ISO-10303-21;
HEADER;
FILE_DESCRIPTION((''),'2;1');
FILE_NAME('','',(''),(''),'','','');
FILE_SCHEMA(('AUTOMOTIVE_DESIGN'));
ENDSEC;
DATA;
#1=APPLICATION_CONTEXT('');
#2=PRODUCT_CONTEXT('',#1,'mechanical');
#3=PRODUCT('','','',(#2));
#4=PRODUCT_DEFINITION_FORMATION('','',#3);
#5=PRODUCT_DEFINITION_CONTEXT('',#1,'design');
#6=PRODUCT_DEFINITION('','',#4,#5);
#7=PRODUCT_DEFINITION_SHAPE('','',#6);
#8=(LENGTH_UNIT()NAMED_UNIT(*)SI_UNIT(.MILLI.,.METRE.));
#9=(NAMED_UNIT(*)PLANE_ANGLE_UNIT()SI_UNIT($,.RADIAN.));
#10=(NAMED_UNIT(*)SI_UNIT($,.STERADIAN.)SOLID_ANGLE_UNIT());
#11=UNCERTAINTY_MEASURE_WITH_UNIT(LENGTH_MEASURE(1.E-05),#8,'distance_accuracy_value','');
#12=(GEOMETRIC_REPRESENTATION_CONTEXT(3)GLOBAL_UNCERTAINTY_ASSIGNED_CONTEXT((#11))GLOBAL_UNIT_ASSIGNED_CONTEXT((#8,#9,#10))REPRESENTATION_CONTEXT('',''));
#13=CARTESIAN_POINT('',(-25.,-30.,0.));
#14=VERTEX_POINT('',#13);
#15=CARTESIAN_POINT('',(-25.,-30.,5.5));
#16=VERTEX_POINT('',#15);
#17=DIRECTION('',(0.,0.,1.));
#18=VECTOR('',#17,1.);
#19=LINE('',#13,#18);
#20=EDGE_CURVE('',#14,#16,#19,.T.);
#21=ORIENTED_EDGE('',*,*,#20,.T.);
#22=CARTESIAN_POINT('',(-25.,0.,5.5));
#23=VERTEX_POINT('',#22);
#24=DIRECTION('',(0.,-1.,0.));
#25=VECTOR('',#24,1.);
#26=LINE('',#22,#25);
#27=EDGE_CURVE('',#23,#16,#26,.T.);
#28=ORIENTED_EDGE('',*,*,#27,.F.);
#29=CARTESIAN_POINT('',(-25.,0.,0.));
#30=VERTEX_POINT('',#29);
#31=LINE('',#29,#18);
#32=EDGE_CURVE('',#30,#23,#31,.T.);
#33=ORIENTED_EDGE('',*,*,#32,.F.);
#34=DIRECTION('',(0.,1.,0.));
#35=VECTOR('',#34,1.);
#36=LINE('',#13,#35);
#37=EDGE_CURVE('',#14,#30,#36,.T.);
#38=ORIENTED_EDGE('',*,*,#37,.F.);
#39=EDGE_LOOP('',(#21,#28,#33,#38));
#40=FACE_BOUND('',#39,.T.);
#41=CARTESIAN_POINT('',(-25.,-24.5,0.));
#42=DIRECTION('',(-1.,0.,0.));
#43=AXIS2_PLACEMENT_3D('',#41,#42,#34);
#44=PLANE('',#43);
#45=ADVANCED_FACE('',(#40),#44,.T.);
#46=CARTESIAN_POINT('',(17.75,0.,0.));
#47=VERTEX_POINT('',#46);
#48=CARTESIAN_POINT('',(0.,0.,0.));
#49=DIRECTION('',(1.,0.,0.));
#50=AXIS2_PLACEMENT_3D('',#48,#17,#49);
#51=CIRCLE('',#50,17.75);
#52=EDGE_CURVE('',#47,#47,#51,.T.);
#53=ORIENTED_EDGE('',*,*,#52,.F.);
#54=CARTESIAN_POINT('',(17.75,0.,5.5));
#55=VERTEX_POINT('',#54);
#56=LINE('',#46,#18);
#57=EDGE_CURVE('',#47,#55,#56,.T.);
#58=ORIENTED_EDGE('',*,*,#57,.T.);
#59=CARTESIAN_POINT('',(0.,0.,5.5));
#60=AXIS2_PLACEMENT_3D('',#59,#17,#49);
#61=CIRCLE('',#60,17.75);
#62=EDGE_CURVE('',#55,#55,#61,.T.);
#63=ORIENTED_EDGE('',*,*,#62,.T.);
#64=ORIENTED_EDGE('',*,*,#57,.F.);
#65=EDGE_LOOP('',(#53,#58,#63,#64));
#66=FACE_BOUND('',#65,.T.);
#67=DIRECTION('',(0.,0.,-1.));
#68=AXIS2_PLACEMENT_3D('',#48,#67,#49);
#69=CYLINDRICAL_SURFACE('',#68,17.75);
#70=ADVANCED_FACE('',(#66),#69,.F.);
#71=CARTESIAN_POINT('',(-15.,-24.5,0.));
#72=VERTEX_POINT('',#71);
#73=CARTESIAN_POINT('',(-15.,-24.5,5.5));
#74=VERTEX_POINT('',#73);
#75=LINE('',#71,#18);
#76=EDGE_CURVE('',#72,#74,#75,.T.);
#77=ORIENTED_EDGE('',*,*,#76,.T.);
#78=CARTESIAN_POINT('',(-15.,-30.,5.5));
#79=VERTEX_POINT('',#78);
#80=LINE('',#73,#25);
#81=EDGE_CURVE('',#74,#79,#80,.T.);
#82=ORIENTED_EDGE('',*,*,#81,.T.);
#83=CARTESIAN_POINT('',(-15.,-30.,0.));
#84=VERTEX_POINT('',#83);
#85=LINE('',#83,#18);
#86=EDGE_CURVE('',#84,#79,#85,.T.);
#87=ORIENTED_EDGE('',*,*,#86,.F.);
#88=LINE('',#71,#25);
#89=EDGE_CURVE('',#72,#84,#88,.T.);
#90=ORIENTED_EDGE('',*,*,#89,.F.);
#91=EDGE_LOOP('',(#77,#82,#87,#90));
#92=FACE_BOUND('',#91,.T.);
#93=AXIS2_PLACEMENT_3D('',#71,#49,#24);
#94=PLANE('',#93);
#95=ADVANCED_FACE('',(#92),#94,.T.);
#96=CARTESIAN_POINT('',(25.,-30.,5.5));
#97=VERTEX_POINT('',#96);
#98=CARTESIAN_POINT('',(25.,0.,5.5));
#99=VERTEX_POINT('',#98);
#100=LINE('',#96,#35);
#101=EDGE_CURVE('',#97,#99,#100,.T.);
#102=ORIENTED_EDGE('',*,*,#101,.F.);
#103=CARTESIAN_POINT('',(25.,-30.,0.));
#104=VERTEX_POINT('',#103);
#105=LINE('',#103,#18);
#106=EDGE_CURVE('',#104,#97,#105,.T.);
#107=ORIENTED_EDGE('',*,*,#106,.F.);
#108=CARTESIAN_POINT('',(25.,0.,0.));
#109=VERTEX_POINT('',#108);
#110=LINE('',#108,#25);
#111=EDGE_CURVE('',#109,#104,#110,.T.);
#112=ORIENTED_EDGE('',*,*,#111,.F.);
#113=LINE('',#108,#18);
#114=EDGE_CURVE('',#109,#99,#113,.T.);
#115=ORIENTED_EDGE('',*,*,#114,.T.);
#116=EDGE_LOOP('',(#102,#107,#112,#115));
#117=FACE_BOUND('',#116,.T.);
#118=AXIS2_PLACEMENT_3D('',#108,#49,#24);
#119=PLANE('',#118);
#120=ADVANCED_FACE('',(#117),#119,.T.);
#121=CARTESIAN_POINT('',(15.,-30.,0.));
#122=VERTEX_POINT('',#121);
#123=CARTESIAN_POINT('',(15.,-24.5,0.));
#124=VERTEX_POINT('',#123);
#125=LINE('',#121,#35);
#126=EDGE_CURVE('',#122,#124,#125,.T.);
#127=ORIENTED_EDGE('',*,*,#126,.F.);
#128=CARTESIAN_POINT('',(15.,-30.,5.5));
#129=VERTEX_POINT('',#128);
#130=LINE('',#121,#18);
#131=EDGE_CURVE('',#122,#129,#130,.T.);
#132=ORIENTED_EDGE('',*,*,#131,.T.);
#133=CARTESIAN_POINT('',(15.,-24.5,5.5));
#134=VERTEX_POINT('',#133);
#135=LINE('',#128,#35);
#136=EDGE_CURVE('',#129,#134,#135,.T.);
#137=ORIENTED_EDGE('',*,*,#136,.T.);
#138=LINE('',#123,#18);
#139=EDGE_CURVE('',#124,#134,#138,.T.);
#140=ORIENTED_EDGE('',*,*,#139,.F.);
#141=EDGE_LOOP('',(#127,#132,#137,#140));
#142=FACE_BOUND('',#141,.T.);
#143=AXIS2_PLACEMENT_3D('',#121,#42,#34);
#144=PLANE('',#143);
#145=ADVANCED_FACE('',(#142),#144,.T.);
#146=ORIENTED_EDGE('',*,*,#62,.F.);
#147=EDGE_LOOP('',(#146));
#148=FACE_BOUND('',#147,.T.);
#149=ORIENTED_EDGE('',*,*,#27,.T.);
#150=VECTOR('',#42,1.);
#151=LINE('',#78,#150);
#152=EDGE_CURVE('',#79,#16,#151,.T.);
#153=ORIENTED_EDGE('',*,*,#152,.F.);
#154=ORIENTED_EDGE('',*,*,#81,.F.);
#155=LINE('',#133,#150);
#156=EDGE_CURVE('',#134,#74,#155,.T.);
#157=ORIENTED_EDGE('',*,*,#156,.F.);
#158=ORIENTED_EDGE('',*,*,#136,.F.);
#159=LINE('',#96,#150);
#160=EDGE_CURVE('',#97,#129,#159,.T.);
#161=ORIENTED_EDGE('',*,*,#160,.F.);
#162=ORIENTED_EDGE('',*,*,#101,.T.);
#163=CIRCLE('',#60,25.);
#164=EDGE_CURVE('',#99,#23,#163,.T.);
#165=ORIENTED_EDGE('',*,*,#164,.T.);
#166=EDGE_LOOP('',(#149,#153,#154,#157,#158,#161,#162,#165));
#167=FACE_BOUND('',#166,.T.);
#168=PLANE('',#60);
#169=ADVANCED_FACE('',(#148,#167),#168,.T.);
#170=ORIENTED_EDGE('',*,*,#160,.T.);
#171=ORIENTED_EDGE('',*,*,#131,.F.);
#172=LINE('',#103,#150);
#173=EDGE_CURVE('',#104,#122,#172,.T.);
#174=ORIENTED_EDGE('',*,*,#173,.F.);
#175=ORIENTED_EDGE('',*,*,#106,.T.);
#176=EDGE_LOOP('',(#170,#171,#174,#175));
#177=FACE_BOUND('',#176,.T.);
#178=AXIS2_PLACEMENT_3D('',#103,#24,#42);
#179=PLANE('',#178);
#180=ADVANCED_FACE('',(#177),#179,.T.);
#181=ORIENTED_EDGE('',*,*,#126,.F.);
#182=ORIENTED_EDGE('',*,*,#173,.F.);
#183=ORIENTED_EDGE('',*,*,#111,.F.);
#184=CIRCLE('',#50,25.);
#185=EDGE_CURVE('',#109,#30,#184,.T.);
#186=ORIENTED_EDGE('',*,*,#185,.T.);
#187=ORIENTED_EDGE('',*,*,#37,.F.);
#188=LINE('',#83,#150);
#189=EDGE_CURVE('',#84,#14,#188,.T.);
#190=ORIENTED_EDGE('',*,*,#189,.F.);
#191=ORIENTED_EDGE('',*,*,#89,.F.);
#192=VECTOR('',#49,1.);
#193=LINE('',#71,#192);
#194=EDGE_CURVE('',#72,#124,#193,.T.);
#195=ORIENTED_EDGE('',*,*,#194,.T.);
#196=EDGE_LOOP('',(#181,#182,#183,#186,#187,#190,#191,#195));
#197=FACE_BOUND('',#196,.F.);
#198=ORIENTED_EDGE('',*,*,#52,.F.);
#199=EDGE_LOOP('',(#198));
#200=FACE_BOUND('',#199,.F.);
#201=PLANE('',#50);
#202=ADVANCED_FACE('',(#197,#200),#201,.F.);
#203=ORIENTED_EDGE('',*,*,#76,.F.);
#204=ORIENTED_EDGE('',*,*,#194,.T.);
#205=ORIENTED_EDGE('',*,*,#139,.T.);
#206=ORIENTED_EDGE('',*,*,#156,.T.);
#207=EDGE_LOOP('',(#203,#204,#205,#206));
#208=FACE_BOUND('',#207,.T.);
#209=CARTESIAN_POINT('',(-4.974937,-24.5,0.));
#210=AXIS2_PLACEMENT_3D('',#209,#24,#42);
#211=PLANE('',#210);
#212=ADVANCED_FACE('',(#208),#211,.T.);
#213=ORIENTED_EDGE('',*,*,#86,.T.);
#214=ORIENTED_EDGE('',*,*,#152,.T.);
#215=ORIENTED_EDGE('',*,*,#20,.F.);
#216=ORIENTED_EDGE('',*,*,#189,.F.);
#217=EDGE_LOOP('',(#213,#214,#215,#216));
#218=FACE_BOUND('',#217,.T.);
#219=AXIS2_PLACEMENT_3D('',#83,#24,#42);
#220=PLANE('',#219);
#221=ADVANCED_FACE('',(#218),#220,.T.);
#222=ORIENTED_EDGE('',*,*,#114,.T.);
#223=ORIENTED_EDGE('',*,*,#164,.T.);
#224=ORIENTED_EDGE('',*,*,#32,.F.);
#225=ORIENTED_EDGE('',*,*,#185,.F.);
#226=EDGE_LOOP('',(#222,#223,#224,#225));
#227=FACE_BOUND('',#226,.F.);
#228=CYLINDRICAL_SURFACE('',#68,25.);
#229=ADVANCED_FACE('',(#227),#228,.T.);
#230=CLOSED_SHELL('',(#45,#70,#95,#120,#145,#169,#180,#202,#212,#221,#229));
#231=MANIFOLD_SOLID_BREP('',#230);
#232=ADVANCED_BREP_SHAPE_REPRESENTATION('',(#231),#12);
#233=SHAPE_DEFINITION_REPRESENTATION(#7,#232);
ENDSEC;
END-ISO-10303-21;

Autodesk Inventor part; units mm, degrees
ref_plane "YZ Plane" through (0, 0, 0) normal (1, 0, 0) x (0, 1, 0)
ref_plane "XZ Plane" through (0, 0, 0) normal (0, 1, 0) x (-1, 0, 0)
ref_plane "XY Plane" through (0, 0, 0) normal (0, 0, 1) x (1, 0, 0)
sketch "スケッチ1" plane through (0, 0, 0) normal (0, 0, 1) x (1, 0, 0)
  circle A0 centre (0, 0) radius 17.75
  line L0 (-25, 30.5) -> (25, 30.5)
  line L1 (25, 30.5) -> (25, -24.5)
  line L2 (25, -24.5) -> (-25, -24.5)
  line L3 (-25, -24.5) -> (-25, 30.5)
  line L4 (-25, -24.5) -> (-15, -24.5)
  line L5 (-15, -24.5) -> (-15, -30)
  line L6 (-15, -30) -> (-25, -30)
  line L7 (-25, -30) -> (-25, -24.5)
  line L8 (15, -24.5) -> (25, -24.5)
  line L9 (25, -24.5) -> (25, -30)
  line L10 (25, -30) -> (15, -30)
  line L11 (15, -30) -> (15, -24.5)
  circle A1 centre (0, 0) radius 25
  point P0 (0, 30.5)
  point P1 (-15, -24.5)
  point P2 (-25, 0)
  point P3 (25, 0)
  dimension "d0" = 35.5
  dimension "d1" = 24.5
  dimension "d2" = 50
  dimension "d3" = 55
  dimension "d6" = 5.5
  dimension "d7" = 10
extrude "押し出し1" add sketch "スケッチ1" along normal blind 5.5 contours A1 L2 L3 | A1 L2 | L1 L2 A1 | L2 L5 L6 L7 | L9 L10 L11 L2 picked at (-0.7132, -22.2069)
properties part number "motor_setter_middle" material "木材 (カエデ材)"
